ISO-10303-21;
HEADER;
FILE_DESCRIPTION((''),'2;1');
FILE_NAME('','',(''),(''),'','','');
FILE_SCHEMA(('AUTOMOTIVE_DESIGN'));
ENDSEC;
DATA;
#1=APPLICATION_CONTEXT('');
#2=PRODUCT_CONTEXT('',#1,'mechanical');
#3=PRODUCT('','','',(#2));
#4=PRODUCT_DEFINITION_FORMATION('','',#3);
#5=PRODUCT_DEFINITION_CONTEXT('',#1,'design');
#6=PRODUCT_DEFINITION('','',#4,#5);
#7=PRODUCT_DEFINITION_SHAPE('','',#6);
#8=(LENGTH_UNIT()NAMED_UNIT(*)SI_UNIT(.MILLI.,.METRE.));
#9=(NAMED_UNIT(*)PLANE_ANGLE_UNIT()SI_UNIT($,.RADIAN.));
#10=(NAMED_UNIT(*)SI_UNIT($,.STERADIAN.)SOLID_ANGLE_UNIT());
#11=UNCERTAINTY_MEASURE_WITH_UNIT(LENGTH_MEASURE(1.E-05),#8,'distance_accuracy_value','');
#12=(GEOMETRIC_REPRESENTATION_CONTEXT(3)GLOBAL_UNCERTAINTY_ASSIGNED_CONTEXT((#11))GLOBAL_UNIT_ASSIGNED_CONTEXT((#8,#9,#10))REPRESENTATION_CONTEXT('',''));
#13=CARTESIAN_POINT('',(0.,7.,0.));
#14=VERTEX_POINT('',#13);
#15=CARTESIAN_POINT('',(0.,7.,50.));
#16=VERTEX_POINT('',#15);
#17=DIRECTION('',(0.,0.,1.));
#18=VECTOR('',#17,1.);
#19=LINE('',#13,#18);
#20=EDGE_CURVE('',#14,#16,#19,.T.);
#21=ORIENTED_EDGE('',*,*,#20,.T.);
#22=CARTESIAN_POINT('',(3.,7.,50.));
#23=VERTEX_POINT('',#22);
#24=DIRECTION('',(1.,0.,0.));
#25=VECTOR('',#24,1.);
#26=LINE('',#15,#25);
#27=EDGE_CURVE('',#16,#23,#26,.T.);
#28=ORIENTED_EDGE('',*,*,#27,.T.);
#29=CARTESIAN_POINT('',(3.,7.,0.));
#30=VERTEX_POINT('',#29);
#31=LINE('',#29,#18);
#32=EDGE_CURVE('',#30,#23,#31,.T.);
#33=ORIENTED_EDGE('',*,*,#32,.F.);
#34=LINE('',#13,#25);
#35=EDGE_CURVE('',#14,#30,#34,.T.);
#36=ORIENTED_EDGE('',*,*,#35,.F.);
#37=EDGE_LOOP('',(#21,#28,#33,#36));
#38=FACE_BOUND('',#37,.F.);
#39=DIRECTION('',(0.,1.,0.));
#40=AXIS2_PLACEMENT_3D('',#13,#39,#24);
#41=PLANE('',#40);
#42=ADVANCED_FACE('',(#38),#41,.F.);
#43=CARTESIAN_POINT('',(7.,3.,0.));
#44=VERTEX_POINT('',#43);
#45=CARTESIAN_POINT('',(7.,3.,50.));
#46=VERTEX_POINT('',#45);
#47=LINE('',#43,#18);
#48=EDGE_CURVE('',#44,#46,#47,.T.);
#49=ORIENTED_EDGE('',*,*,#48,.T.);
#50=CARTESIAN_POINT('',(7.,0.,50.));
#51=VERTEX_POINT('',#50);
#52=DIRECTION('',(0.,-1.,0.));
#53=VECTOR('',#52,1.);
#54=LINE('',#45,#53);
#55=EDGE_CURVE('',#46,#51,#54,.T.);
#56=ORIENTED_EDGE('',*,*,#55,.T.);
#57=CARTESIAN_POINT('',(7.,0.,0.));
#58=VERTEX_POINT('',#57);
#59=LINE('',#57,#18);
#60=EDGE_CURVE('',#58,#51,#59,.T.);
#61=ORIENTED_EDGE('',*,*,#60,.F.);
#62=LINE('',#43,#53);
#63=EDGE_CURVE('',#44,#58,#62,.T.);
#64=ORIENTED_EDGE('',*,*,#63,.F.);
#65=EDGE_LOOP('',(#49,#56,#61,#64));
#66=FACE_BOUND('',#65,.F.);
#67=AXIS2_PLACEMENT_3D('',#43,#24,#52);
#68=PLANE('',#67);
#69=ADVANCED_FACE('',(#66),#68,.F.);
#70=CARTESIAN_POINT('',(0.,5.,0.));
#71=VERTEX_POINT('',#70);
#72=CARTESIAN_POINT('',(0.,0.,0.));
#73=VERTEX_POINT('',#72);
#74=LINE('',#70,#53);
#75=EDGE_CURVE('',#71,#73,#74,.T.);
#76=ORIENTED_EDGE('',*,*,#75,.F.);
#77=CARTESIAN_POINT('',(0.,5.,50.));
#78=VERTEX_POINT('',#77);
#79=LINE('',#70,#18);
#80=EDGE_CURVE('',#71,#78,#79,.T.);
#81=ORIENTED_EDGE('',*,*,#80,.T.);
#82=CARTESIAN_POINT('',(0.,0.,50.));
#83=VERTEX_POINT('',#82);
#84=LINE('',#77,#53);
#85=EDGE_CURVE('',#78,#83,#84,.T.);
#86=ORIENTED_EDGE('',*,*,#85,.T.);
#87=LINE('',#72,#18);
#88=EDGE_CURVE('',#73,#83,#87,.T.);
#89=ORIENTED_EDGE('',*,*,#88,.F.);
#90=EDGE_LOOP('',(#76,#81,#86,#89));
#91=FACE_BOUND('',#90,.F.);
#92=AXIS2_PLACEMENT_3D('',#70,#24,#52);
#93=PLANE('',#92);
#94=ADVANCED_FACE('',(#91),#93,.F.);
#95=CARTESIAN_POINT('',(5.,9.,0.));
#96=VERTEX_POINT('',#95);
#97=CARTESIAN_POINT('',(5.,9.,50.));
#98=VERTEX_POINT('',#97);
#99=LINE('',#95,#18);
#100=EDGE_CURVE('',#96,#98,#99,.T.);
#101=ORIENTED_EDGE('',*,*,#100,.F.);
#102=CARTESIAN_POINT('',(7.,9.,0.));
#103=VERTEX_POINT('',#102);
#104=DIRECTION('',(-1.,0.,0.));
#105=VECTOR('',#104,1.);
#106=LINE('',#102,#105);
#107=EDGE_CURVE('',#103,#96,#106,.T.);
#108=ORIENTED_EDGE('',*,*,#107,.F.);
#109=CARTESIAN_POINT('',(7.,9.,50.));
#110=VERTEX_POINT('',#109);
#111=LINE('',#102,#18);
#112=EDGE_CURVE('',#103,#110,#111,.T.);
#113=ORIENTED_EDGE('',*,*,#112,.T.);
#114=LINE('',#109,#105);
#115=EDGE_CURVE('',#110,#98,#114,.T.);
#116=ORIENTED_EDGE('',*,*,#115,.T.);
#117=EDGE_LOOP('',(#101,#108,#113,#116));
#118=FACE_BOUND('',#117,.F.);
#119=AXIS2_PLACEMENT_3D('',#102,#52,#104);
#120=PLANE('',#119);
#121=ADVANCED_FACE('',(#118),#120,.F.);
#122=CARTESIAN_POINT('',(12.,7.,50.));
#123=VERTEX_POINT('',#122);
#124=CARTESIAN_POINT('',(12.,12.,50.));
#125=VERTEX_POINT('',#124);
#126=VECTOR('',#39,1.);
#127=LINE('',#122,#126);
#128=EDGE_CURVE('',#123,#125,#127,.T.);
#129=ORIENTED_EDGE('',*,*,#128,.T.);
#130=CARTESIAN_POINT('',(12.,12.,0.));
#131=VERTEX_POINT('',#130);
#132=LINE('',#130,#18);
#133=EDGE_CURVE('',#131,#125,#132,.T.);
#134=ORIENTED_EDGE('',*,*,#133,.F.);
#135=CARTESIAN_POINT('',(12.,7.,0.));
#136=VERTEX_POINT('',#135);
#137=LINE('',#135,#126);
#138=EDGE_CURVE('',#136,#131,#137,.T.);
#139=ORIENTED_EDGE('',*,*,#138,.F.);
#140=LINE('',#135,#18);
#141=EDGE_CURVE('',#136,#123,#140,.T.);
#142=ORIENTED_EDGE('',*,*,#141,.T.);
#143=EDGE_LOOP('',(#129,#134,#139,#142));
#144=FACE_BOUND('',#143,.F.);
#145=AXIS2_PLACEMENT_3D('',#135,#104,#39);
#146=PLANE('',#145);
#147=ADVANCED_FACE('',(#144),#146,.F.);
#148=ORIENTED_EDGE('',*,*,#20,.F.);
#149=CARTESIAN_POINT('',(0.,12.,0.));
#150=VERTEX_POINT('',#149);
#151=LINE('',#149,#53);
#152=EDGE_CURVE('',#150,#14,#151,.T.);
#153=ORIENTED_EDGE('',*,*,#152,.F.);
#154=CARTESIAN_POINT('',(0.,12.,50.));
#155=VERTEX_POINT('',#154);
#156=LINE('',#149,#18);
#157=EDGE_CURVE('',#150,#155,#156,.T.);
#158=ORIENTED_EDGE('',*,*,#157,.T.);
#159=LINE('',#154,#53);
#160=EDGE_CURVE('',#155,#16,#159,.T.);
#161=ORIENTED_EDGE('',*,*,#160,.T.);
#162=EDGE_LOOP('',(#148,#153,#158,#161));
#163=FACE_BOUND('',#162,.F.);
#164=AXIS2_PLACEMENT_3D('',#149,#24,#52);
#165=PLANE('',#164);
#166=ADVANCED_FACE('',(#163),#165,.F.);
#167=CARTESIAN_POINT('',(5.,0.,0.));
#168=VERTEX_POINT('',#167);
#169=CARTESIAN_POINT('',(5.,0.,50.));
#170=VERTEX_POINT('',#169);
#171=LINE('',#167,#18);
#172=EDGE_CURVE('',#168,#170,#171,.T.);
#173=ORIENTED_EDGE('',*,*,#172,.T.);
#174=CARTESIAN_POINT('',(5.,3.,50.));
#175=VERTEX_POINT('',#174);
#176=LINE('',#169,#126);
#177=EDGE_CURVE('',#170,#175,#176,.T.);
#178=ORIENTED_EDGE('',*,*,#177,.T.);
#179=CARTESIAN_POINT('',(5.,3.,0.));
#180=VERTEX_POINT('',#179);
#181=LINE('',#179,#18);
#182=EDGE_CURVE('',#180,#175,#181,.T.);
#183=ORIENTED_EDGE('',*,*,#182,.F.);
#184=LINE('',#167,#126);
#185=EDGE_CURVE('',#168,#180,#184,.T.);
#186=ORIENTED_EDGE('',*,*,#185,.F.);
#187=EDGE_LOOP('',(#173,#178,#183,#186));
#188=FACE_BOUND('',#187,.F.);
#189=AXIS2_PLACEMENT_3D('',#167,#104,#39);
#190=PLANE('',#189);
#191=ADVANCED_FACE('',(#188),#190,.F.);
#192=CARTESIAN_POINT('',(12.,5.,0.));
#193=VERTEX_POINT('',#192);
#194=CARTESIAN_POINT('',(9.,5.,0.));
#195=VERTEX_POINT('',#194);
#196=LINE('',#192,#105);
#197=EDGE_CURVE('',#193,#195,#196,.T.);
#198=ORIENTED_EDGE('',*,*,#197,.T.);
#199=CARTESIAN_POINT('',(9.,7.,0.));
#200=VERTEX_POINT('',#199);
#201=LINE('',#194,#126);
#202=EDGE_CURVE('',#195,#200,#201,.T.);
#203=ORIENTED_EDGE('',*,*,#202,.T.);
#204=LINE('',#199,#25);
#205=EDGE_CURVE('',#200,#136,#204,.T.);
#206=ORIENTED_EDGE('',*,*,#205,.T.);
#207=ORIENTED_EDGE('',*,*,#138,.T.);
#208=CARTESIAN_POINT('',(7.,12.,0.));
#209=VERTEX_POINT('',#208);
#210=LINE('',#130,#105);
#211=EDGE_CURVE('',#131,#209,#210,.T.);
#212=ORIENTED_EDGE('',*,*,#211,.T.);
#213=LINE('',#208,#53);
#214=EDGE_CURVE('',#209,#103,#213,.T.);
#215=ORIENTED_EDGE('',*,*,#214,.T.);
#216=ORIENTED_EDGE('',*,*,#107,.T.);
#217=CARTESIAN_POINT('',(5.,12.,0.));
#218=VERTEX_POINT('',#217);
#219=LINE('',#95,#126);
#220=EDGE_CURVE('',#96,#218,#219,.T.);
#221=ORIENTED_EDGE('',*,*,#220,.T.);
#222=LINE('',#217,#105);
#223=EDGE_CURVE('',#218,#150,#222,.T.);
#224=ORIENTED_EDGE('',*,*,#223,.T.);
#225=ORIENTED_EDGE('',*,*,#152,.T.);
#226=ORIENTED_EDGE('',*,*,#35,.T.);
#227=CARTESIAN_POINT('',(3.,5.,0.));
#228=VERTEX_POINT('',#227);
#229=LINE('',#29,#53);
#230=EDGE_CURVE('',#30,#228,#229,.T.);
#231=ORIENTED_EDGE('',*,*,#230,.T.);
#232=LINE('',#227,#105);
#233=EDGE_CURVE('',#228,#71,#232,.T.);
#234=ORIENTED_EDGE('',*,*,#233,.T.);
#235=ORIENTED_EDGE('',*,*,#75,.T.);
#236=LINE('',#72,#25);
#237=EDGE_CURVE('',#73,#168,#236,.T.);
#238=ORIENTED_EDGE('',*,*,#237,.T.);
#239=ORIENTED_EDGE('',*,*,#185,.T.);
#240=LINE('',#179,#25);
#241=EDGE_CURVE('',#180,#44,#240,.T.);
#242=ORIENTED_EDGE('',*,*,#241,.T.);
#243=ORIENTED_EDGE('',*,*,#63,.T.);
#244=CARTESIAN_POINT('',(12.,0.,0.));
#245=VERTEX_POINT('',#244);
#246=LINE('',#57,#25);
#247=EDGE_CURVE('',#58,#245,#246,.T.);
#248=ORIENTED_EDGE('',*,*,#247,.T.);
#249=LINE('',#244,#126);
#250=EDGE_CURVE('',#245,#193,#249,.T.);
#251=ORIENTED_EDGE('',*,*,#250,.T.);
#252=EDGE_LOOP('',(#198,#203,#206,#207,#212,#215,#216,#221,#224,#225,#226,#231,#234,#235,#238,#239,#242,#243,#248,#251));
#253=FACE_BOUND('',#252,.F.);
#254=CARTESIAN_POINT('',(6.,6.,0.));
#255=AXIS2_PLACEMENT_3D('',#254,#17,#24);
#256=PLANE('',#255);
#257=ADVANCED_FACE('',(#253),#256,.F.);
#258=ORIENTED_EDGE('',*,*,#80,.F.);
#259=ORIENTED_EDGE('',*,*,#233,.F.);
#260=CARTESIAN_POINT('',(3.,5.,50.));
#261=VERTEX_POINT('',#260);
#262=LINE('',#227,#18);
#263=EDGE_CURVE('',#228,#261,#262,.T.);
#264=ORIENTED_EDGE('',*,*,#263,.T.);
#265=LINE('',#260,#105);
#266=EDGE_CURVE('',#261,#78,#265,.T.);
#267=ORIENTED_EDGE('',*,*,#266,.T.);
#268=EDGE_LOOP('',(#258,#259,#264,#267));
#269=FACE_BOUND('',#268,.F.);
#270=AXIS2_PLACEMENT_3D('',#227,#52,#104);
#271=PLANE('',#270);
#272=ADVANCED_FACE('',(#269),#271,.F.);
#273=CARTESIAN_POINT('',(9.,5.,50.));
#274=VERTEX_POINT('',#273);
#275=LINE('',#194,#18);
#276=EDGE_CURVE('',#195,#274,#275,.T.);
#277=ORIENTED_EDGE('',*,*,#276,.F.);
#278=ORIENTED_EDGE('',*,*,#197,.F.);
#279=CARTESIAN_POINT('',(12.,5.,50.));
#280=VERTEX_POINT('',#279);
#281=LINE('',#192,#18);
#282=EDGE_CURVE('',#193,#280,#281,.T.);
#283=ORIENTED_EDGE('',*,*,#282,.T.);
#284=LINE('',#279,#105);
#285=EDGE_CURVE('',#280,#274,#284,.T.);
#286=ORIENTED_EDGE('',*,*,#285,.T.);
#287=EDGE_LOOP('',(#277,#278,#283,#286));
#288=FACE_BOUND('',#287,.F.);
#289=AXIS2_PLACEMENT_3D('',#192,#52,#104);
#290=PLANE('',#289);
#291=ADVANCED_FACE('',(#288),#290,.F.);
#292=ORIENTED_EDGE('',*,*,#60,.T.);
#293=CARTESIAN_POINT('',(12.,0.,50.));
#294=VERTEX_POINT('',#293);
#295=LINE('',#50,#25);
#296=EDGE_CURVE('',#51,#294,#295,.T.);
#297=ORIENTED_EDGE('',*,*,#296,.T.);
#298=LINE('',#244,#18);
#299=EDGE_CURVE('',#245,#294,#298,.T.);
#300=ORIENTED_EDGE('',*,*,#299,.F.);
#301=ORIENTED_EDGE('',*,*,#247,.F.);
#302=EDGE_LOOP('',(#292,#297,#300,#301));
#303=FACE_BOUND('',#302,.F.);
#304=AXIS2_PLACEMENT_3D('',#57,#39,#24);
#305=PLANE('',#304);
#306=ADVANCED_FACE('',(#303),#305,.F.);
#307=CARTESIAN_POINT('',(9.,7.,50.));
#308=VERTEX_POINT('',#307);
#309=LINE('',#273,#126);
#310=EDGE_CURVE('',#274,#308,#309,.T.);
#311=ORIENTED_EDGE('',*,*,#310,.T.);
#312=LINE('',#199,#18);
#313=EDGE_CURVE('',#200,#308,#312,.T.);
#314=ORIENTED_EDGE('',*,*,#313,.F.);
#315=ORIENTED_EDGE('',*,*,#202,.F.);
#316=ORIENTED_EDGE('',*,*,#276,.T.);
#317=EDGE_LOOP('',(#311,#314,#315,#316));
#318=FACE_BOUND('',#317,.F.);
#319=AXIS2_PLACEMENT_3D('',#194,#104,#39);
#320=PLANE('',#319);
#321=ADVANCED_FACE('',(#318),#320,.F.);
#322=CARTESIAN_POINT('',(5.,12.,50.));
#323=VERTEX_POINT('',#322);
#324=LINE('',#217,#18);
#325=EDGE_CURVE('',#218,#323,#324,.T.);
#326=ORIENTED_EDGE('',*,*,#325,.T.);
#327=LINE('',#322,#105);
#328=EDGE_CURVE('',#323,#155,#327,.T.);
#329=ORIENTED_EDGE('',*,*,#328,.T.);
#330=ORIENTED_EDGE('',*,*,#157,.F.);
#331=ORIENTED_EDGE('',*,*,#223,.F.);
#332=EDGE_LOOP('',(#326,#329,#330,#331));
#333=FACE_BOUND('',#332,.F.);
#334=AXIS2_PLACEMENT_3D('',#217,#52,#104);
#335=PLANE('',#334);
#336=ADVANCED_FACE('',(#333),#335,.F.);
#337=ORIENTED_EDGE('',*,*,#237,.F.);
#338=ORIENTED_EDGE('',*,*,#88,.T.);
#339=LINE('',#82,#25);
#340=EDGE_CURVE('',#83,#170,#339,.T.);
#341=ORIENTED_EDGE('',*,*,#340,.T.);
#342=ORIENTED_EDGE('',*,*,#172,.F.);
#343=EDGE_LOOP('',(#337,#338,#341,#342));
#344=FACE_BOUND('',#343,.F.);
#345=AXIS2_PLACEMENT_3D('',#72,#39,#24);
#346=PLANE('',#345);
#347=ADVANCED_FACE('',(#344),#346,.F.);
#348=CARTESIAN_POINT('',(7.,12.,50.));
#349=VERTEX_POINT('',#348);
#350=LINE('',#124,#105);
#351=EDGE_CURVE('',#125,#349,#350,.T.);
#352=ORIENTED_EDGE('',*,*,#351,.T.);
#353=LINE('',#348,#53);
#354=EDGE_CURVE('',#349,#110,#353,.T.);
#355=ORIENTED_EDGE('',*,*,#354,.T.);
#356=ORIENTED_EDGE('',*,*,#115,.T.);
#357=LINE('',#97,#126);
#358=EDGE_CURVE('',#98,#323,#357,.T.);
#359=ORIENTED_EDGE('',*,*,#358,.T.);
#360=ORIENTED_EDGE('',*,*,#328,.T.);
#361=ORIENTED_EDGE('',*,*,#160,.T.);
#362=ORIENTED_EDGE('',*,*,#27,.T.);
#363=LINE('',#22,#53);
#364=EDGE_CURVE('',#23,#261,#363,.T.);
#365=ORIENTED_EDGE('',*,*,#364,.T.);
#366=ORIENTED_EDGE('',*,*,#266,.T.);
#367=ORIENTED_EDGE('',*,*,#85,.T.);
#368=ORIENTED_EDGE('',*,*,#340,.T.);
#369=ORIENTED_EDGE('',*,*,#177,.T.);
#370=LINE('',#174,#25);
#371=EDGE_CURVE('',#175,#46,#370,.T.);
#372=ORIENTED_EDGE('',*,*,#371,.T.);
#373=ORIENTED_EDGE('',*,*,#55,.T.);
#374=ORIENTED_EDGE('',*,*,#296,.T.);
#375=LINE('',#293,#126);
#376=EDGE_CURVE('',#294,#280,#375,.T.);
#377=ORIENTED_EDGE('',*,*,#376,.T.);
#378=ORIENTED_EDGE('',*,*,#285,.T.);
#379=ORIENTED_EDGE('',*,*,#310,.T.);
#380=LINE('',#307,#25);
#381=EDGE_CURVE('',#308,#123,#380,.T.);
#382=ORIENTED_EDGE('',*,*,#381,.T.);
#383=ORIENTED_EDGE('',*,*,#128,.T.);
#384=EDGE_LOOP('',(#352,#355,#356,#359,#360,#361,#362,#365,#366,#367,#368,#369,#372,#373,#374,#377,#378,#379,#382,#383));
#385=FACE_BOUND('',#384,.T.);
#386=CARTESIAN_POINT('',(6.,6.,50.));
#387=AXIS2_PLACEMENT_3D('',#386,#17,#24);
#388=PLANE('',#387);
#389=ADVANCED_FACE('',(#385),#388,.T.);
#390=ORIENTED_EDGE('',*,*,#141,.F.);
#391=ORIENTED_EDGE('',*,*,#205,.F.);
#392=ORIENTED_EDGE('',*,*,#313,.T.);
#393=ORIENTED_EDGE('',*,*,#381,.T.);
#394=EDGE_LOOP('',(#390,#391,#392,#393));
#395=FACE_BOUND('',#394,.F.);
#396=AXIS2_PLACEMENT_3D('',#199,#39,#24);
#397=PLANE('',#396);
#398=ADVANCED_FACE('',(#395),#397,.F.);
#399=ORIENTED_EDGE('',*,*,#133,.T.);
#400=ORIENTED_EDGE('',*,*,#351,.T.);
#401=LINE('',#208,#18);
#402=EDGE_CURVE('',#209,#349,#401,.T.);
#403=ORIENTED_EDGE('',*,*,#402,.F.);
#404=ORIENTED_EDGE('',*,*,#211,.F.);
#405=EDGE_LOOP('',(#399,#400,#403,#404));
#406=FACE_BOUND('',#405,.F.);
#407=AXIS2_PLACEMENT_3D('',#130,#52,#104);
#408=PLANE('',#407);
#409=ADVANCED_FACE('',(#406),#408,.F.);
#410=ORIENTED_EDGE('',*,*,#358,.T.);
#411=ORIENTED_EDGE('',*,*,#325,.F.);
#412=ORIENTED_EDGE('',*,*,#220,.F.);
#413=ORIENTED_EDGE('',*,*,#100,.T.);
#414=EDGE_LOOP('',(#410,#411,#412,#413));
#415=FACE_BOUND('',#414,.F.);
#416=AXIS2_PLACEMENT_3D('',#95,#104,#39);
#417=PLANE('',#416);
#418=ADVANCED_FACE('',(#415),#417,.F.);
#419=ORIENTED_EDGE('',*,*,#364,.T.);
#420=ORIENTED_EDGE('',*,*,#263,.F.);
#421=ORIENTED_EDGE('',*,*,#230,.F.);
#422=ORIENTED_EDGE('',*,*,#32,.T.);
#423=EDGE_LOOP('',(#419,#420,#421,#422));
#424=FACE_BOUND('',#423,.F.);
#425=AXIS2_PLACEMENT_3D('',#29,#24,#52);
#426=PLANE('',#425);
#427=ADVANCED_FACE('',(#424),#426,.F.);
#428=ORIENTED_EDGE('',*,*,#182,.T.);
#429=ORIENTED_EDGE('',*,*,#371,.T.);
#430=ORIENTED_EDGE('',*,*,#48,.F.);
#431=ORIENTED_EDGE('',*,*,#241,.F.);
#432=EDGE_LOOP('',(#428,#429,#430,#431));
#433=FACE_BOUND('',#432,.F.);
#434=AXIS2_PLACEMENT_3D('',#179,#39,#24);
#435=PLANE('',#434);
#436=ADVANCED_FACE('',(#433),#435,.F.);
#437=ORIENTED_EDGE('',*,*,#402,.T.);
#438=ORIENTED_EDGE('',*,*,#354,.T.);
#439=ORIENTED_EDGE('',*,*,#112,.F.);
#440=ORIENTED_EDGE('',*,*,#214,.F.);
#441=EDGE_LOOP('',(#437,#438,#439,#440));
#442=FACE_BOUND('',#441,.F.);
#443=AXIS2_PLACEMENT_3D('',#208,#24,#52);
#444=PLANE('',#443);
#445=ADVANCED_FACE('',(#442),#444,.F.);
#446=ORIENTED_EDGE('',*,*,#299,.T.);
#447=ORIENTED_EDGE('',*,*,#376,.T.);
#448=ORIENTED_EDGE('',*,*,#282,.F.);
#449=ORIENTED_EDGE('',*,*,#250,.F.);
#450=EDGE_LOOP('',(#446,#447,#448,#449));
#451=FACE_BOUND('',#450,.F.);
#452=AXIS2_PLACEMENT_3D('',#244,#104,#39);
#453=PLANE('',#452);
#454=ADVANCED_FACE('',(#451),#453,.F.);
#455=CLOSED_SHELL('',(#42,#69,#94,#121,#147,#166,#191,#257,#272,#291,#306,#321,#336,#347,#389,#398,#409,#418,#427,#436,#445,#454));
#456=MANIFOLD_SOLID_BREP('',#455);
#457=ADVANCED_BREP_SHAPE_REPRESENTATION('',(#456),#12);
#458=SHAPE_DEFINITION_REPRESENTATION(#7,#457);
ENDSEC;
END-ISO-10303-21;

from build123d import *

# Parameters (mm, degrees)
PAD_DEPTH = 50


with BuildPart() as part:
    # Sketch → Pad (new body)
    with BuildSketch(Plane.XY):
        Polygon((0, 0), (5, 0), (5, 3), (7, 3), (7, 0), (12, 0), (12, 5), (9, 5), (9, 7), (12, 7), (12, 12), (7, 12), (7, 9), (5, 9), (5, 12), (0, 12), (0, 7), (3, 7), (3, 5), (0, 5), align=None)
    extrude(amount=PAD_DEPTH)


solid = part.part
